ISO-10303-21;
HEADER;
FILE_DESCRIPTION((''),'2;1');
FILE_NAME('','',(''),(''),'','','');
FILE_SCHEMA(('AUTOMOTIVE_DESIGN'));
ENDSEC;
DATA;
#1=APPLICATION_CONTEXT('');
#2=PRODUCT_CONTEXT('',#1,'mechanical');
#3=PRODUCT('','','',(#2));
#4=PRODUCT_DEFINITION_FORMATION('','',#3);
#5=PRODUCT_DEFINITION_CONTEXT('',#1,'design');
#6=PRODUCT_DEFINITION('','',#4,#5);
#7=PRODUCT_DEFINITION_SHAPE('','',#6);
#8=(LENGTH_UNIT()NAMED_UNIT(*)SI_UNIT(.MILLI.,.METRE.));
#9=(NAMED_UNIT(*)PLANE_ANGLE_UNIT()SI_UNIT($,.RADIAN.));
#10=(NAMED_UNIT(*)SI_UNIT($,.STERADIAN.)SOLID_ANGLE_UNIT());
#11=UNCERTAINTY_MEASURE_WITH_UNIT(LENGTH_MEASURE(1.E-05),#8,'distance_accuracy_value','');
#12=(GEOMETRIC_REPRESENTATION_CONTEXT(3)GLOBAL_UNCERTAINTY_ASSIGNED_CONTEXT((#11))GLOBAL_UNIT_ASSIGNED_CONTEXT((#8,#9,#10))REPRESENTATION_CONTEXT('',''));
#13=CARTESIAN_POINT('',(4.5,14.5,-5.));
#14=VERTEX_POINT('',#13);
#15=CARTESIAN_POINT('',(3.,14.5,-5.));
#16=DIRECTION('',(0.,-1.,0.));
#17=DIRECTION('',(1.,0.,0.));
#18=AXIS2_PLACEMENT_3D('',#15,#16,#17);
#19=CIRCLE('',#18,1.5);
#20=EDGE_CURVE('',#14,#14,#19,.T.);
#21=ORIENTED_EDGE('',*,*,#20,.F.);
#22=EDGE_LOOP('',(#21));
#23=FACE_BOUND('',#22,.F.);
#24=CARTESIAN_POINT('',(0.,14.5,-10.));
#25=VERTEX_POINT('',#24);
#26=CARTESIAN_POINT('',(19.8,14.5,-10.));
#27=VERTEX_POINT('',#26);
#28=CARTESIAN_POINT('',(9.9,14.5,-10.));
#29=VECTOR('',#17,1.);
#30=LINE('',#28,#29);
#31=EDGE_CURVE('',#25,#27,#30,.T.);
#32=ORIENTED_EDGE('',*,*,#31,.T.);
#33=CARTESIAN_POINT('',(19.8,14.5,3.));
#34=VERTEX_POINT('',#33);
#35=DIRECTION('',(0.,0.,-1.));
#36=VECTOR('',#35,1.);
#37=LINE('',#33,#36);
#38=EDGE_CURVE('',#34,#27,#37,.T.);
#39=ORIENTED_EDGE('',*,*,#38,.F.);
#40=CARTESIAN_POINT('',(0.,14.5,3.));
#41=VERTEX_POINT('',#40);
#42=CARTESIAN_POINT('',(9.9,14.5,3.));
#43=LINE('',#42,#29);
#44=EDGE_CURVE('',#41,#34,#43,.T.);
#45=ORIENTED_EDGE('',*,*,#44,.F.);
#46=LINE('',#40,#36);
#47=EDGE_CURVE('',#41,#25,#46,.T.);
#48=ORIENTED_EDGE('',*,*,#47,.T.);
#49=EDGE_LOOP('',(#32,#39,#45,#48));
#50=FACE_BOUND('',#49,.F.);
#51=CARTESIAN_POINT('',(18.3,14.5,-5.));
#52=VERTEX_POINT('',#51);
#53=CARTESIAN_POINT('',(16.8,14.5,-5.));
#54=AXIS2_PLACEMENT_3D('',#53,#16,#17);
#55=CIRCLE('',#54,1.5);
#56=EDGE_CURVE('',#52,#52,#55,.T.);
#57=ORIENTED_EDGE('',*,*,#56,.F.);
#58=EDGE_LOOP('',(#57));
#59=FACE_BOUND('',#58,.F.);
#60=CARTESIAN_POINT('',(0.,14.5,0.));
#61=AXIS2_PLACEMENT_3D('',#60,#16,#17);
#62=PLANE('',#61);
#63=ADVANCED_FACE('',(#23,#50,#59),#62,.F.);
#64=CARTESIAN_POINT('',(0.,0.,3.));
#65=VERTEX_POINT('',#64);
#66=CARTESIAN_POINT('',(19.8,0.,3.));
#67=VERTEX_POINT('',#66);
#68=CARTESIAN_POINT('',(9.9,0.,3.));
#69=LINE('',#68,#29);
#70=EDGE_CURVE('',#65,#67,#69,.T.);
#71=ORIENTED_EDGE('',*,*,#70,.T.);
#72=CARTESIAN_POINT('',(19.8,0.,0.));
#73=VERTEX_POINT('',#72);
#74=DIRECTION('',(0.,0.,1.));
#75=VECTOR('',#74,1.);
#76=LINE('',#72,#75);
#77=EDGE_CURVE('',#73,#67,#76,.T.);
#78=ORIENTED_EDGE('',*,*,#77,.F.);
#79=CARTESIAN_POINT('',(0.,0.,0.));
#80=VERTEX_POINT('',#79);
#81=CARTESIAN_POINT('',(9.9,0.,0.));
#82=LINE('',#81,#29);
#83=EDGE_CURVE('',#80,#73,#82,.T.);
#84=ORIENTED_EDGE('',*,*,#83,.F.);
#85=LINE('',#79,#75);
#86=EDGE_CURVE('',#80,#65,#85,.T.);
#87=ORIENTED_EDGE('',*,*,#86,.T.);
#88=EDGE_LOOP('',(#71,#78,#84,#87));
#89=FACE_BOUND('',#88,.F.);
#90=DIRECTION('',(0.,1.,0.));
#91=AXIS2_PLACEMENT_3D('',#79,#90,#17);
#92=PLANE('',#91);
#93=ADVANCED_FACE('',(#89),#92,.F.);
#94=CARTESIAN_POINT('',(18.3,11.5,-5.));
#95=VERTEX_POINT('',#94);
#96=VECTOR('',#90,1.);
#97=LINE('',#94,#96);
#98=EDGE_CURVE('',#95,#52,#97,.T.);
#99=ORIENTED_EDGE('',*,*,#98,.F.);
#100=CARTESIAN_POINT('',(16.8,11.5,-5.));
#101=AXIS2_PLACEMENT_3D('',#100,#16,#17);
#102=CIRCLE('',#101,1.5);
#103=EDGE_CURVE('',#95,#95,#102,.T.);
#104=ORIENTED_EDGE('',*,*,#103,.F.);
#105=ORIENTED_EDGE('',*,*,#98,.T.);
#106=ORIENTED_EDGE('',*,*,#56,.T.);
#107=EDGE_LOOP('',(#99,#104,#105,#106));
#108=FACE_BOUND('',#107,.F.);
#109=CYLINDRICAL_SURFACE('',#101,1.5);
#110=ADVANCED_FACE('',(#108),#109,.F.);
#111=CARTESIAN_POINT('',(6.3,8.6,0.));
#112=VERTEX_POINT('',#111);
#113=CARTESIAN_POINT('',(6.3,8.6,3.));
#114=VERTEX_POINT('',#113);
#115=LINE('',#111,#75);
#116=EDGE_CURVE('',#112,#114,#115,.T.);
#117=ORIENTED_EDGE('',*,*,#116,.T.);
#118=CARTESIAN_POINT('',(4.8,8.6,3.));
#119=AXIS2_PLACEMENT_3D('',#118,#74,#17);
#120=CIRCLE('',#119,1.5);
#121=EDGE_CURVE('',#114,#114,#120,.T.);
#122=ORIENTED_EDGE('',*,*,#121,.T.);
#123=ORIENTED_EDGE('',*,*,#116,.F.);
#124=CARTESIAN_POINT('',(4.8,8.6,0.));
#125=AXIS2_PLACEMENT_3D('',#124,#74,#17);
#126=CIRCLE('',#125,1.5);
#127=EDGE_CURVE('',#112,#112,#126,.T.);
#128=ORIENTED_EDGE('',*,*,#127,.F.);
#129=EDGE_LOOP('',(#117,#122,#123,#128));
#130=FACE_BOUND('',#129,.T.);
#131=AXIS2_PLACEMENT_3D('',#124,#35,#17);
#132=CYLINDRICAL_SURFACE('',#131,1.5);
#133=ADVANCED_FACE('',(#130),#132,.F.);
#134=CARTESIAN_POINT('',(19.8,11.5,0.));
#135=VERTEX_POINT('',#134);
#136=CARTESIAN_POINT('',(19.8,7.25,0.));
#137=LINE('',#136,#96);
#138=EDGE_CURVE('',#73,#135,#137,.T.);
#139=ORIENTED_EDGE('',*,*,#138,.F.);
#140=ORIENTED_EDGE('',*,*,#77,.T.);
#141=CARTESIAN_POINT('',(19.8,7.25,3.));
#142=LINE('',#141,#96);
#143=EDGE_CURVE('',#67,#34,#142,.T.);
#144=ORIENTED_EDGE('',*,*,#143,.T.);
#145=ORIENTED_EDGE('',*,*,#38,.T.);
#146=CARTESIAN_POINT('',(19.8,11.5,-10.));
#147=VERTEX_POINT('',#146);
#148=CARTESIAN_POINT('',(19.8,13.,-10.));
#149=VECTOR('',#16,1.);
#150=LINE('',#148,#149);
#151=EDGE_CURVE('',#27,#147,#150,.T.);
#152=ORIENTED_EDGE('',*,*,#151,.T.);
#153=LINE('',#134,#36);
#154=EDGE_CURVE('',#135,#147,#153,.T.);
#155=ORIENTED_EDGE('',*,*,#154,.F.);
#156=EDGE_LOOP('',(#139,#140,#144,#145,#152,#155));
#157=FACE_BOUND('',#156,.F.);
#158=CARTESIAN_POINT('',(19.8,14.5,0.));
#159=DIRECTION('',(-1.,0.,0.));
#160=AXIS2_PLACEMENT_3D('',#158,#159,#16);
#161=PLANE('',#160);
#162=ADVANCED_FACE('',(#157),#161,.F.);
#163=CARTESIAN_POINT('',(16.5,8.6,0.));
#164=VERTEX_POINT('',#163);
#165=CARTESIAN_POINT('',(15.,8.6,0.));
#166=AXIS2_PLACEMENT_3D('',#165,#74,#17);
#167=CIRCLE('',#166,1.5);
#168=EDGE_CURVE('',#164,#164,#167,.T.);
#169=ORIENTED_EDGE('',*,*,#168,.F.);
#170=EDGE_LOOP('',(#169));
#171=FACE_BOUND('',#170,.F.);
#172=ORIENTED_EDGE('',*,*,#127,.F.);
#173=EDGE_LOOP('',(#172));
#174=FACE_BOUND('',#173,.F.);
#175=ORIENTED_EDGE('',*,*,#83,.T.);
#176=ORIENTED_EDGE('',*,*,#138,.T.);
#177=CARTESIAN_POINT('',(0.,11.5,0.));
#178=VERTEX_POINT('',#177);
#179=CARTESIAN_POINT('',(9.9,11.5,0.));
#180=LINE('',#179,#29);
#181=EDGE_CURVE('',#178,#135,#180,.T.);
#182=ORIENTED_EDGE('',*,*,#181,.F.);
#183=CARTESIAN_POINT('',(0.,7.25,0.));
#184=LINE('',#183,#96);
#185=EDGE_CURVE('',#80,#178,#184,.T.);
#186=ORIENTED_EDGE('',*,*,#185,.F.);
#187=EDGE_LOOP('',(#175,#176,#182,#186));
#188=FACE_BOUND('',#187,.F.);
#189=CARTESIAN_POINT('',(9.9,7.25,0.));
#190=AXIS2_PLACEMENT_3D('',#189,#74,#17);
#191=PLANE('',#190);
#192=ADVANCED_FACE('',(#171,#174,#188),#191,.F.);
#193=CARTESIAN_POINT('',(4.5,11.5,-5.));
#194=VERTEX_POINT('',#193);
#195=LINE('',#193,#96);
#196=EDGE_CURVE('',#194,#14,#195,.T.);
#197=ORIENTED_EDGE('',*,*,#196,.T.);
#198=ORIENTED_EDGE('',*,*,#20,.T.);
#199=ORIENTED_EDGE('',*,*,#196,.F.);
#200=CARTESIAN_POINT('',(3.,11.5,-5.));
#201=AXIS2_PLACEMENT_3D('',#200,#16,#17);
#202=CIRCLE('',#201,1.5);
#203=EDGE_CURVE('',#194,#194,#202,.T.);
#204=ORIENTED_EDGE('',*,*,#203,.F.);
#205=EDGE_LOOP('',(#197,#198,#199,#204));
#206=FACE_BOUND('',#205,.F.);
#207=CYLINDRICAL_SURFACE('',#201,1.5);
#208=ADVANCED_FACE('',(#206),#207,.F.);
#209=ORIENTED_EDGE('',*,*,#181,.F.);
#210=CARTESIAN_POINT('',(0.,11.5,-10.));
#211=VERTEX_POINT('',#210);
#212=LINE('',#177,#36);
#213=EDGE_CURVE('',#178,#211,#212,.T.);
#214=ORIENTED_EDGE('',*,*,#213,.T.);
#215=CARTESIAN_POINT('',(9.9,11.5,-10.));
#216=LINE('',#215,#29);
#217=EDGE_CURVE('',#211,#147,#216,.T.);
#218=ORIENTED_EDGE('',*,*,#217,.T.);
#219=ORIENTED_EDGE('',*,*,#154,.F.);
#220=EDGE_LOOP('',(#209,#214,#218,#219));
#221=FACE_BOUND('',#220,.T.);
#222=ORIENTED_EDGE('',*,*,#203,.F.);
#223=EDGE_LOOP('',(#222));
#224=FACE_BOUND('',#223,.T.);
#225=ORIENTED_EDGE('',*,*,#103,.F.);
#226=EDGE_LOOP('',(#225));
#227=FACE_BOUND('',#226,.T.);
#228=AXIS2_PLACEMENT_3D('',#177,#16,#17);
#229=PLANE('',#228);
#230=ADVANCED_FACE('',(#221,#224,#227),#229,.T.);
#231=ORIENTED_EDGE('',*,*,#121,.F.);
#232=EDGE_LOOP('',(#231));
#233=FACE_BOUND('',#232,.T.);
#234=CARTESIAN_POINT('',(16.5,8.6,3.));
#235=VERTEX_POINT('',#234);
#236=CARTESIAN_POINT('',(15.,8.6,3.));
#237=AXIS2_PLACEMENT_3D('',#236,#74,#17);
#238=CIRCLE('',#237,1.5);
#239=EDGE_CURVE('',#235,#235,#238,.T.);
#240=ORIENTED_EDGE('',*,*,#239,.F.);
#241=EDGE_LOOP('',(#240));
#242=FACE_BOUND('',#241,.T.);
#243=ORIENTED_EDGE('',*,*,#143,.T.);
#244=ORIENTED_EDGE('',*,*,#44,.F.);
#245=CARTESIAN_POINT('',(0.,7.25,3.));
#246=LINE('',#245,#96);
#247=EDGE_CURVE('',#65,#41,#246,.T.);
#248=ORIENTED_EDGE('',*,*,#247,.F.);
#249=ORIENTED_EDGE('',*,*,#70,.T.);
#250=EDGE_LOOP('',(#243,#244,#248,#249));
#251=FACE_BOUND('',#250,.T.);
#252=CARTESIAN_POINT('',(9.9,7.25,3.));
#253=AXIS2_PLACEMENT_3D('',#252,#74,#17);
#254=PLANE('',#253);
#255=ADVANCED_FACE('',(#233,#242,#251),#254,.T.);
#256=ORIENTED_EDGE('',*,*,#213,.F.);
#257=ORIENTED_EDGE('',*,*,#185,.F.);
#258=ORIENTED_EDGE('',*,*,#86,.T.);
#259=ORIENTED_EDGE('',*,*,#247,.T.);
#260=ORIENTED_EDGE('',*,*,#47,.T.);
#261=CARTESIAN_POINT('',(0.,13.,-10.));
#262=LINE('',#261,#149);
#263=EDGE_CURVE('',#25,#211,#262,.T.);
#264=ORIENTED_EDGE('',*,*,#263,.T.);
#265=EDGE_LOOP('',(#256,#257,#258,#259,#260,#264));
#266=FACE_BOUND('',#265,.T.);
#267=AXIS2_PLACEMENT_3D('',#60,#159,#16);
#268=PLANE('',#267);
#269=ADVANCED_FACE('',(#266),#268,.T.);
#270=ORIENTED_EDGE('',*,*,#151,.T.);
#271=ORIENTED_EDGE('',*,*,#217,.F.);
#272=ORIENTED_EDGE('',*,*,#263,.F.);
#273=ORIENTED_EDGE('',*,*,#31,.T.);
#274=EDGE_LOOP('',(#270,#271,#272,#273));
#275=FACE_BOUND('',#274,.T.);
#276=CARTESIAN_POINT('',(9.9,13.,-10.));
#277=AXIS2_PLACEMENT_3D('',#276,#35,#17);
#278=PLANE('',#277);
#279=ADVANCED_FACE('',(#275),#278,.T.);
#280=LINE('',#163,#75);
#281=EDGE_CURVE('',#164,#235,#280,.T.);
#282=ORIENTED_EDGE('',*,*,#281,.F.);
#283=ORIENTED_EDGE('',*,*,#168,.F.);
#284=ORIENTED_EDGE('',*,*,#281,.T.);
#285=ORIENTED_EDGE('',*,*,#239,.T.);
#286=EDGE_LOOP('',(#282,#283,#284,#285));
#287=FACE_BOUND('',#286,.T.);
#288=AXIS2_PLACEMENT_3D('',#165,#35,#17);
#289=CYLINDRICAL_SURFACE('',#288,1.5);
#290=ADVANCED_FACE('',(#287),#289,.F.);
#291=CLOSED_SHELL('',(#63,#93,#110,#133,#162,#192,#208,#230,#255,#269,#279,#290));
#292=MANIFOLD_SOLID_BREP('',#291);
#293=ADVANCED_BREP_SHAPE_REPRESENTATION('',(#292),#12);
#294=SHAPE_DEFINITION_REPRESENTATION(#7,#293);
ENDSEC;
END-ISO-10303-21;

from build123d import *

# Parameters (mm, degrees)
SKETCH_W     = 19.8
SKETCH_H     = 14.5
SKETCH_R     = 1.5
PAD_DEPTH    = 3
SKETCH001_W  = 19.8
SKETCH001_H  = 3
PAD001_DEPTH = 10
SKETCH002_R  = 1.5
POCKET_DEPTH = 3.001


with BuildPart() as part:
    # Sketch → Pad (new body)
    with BuildSketch(Plane.XY):
        with Locations((9.9, 7.25)):
            Rectangle(SKETCH_W, SKETCH_H)
        with Locations((4.8, 8.6)):
            Circle(SKETCH_R, mode=Mode.SUBTRACT)
        with Locations((15, 8.6)):
            Circle(SKETCH_R, mode=Mode.SUBTRACT)
    extrude(amount=PAD_DEPTH)

    # Sketch001 → Pad001 (new body)
    with BuildSketch(Plane(origin=(0, 0, 0), x_dir=(1, 0, 0), z_dir=(0, 0, -1))):
        with Locations((9.9, -13)):
            Rectangle(SKETCH001_W, SKETCH001_H)
    extrude(amount=PAD001_DEPTH)

    # Sketch002 → Pocket (cut, through all)
    with BuildSketch(Plane.XZ.offset(-11.5)):
        with Locations((3, -5)):
            Circle(SKETCH002_R)
        with Locations((16.8, -5)):
            Circle(SKETCH002_R)
    extrude(amount=-POCKET_DEPTH, mode=Mode.SUBTRACT)


solid = part.part
